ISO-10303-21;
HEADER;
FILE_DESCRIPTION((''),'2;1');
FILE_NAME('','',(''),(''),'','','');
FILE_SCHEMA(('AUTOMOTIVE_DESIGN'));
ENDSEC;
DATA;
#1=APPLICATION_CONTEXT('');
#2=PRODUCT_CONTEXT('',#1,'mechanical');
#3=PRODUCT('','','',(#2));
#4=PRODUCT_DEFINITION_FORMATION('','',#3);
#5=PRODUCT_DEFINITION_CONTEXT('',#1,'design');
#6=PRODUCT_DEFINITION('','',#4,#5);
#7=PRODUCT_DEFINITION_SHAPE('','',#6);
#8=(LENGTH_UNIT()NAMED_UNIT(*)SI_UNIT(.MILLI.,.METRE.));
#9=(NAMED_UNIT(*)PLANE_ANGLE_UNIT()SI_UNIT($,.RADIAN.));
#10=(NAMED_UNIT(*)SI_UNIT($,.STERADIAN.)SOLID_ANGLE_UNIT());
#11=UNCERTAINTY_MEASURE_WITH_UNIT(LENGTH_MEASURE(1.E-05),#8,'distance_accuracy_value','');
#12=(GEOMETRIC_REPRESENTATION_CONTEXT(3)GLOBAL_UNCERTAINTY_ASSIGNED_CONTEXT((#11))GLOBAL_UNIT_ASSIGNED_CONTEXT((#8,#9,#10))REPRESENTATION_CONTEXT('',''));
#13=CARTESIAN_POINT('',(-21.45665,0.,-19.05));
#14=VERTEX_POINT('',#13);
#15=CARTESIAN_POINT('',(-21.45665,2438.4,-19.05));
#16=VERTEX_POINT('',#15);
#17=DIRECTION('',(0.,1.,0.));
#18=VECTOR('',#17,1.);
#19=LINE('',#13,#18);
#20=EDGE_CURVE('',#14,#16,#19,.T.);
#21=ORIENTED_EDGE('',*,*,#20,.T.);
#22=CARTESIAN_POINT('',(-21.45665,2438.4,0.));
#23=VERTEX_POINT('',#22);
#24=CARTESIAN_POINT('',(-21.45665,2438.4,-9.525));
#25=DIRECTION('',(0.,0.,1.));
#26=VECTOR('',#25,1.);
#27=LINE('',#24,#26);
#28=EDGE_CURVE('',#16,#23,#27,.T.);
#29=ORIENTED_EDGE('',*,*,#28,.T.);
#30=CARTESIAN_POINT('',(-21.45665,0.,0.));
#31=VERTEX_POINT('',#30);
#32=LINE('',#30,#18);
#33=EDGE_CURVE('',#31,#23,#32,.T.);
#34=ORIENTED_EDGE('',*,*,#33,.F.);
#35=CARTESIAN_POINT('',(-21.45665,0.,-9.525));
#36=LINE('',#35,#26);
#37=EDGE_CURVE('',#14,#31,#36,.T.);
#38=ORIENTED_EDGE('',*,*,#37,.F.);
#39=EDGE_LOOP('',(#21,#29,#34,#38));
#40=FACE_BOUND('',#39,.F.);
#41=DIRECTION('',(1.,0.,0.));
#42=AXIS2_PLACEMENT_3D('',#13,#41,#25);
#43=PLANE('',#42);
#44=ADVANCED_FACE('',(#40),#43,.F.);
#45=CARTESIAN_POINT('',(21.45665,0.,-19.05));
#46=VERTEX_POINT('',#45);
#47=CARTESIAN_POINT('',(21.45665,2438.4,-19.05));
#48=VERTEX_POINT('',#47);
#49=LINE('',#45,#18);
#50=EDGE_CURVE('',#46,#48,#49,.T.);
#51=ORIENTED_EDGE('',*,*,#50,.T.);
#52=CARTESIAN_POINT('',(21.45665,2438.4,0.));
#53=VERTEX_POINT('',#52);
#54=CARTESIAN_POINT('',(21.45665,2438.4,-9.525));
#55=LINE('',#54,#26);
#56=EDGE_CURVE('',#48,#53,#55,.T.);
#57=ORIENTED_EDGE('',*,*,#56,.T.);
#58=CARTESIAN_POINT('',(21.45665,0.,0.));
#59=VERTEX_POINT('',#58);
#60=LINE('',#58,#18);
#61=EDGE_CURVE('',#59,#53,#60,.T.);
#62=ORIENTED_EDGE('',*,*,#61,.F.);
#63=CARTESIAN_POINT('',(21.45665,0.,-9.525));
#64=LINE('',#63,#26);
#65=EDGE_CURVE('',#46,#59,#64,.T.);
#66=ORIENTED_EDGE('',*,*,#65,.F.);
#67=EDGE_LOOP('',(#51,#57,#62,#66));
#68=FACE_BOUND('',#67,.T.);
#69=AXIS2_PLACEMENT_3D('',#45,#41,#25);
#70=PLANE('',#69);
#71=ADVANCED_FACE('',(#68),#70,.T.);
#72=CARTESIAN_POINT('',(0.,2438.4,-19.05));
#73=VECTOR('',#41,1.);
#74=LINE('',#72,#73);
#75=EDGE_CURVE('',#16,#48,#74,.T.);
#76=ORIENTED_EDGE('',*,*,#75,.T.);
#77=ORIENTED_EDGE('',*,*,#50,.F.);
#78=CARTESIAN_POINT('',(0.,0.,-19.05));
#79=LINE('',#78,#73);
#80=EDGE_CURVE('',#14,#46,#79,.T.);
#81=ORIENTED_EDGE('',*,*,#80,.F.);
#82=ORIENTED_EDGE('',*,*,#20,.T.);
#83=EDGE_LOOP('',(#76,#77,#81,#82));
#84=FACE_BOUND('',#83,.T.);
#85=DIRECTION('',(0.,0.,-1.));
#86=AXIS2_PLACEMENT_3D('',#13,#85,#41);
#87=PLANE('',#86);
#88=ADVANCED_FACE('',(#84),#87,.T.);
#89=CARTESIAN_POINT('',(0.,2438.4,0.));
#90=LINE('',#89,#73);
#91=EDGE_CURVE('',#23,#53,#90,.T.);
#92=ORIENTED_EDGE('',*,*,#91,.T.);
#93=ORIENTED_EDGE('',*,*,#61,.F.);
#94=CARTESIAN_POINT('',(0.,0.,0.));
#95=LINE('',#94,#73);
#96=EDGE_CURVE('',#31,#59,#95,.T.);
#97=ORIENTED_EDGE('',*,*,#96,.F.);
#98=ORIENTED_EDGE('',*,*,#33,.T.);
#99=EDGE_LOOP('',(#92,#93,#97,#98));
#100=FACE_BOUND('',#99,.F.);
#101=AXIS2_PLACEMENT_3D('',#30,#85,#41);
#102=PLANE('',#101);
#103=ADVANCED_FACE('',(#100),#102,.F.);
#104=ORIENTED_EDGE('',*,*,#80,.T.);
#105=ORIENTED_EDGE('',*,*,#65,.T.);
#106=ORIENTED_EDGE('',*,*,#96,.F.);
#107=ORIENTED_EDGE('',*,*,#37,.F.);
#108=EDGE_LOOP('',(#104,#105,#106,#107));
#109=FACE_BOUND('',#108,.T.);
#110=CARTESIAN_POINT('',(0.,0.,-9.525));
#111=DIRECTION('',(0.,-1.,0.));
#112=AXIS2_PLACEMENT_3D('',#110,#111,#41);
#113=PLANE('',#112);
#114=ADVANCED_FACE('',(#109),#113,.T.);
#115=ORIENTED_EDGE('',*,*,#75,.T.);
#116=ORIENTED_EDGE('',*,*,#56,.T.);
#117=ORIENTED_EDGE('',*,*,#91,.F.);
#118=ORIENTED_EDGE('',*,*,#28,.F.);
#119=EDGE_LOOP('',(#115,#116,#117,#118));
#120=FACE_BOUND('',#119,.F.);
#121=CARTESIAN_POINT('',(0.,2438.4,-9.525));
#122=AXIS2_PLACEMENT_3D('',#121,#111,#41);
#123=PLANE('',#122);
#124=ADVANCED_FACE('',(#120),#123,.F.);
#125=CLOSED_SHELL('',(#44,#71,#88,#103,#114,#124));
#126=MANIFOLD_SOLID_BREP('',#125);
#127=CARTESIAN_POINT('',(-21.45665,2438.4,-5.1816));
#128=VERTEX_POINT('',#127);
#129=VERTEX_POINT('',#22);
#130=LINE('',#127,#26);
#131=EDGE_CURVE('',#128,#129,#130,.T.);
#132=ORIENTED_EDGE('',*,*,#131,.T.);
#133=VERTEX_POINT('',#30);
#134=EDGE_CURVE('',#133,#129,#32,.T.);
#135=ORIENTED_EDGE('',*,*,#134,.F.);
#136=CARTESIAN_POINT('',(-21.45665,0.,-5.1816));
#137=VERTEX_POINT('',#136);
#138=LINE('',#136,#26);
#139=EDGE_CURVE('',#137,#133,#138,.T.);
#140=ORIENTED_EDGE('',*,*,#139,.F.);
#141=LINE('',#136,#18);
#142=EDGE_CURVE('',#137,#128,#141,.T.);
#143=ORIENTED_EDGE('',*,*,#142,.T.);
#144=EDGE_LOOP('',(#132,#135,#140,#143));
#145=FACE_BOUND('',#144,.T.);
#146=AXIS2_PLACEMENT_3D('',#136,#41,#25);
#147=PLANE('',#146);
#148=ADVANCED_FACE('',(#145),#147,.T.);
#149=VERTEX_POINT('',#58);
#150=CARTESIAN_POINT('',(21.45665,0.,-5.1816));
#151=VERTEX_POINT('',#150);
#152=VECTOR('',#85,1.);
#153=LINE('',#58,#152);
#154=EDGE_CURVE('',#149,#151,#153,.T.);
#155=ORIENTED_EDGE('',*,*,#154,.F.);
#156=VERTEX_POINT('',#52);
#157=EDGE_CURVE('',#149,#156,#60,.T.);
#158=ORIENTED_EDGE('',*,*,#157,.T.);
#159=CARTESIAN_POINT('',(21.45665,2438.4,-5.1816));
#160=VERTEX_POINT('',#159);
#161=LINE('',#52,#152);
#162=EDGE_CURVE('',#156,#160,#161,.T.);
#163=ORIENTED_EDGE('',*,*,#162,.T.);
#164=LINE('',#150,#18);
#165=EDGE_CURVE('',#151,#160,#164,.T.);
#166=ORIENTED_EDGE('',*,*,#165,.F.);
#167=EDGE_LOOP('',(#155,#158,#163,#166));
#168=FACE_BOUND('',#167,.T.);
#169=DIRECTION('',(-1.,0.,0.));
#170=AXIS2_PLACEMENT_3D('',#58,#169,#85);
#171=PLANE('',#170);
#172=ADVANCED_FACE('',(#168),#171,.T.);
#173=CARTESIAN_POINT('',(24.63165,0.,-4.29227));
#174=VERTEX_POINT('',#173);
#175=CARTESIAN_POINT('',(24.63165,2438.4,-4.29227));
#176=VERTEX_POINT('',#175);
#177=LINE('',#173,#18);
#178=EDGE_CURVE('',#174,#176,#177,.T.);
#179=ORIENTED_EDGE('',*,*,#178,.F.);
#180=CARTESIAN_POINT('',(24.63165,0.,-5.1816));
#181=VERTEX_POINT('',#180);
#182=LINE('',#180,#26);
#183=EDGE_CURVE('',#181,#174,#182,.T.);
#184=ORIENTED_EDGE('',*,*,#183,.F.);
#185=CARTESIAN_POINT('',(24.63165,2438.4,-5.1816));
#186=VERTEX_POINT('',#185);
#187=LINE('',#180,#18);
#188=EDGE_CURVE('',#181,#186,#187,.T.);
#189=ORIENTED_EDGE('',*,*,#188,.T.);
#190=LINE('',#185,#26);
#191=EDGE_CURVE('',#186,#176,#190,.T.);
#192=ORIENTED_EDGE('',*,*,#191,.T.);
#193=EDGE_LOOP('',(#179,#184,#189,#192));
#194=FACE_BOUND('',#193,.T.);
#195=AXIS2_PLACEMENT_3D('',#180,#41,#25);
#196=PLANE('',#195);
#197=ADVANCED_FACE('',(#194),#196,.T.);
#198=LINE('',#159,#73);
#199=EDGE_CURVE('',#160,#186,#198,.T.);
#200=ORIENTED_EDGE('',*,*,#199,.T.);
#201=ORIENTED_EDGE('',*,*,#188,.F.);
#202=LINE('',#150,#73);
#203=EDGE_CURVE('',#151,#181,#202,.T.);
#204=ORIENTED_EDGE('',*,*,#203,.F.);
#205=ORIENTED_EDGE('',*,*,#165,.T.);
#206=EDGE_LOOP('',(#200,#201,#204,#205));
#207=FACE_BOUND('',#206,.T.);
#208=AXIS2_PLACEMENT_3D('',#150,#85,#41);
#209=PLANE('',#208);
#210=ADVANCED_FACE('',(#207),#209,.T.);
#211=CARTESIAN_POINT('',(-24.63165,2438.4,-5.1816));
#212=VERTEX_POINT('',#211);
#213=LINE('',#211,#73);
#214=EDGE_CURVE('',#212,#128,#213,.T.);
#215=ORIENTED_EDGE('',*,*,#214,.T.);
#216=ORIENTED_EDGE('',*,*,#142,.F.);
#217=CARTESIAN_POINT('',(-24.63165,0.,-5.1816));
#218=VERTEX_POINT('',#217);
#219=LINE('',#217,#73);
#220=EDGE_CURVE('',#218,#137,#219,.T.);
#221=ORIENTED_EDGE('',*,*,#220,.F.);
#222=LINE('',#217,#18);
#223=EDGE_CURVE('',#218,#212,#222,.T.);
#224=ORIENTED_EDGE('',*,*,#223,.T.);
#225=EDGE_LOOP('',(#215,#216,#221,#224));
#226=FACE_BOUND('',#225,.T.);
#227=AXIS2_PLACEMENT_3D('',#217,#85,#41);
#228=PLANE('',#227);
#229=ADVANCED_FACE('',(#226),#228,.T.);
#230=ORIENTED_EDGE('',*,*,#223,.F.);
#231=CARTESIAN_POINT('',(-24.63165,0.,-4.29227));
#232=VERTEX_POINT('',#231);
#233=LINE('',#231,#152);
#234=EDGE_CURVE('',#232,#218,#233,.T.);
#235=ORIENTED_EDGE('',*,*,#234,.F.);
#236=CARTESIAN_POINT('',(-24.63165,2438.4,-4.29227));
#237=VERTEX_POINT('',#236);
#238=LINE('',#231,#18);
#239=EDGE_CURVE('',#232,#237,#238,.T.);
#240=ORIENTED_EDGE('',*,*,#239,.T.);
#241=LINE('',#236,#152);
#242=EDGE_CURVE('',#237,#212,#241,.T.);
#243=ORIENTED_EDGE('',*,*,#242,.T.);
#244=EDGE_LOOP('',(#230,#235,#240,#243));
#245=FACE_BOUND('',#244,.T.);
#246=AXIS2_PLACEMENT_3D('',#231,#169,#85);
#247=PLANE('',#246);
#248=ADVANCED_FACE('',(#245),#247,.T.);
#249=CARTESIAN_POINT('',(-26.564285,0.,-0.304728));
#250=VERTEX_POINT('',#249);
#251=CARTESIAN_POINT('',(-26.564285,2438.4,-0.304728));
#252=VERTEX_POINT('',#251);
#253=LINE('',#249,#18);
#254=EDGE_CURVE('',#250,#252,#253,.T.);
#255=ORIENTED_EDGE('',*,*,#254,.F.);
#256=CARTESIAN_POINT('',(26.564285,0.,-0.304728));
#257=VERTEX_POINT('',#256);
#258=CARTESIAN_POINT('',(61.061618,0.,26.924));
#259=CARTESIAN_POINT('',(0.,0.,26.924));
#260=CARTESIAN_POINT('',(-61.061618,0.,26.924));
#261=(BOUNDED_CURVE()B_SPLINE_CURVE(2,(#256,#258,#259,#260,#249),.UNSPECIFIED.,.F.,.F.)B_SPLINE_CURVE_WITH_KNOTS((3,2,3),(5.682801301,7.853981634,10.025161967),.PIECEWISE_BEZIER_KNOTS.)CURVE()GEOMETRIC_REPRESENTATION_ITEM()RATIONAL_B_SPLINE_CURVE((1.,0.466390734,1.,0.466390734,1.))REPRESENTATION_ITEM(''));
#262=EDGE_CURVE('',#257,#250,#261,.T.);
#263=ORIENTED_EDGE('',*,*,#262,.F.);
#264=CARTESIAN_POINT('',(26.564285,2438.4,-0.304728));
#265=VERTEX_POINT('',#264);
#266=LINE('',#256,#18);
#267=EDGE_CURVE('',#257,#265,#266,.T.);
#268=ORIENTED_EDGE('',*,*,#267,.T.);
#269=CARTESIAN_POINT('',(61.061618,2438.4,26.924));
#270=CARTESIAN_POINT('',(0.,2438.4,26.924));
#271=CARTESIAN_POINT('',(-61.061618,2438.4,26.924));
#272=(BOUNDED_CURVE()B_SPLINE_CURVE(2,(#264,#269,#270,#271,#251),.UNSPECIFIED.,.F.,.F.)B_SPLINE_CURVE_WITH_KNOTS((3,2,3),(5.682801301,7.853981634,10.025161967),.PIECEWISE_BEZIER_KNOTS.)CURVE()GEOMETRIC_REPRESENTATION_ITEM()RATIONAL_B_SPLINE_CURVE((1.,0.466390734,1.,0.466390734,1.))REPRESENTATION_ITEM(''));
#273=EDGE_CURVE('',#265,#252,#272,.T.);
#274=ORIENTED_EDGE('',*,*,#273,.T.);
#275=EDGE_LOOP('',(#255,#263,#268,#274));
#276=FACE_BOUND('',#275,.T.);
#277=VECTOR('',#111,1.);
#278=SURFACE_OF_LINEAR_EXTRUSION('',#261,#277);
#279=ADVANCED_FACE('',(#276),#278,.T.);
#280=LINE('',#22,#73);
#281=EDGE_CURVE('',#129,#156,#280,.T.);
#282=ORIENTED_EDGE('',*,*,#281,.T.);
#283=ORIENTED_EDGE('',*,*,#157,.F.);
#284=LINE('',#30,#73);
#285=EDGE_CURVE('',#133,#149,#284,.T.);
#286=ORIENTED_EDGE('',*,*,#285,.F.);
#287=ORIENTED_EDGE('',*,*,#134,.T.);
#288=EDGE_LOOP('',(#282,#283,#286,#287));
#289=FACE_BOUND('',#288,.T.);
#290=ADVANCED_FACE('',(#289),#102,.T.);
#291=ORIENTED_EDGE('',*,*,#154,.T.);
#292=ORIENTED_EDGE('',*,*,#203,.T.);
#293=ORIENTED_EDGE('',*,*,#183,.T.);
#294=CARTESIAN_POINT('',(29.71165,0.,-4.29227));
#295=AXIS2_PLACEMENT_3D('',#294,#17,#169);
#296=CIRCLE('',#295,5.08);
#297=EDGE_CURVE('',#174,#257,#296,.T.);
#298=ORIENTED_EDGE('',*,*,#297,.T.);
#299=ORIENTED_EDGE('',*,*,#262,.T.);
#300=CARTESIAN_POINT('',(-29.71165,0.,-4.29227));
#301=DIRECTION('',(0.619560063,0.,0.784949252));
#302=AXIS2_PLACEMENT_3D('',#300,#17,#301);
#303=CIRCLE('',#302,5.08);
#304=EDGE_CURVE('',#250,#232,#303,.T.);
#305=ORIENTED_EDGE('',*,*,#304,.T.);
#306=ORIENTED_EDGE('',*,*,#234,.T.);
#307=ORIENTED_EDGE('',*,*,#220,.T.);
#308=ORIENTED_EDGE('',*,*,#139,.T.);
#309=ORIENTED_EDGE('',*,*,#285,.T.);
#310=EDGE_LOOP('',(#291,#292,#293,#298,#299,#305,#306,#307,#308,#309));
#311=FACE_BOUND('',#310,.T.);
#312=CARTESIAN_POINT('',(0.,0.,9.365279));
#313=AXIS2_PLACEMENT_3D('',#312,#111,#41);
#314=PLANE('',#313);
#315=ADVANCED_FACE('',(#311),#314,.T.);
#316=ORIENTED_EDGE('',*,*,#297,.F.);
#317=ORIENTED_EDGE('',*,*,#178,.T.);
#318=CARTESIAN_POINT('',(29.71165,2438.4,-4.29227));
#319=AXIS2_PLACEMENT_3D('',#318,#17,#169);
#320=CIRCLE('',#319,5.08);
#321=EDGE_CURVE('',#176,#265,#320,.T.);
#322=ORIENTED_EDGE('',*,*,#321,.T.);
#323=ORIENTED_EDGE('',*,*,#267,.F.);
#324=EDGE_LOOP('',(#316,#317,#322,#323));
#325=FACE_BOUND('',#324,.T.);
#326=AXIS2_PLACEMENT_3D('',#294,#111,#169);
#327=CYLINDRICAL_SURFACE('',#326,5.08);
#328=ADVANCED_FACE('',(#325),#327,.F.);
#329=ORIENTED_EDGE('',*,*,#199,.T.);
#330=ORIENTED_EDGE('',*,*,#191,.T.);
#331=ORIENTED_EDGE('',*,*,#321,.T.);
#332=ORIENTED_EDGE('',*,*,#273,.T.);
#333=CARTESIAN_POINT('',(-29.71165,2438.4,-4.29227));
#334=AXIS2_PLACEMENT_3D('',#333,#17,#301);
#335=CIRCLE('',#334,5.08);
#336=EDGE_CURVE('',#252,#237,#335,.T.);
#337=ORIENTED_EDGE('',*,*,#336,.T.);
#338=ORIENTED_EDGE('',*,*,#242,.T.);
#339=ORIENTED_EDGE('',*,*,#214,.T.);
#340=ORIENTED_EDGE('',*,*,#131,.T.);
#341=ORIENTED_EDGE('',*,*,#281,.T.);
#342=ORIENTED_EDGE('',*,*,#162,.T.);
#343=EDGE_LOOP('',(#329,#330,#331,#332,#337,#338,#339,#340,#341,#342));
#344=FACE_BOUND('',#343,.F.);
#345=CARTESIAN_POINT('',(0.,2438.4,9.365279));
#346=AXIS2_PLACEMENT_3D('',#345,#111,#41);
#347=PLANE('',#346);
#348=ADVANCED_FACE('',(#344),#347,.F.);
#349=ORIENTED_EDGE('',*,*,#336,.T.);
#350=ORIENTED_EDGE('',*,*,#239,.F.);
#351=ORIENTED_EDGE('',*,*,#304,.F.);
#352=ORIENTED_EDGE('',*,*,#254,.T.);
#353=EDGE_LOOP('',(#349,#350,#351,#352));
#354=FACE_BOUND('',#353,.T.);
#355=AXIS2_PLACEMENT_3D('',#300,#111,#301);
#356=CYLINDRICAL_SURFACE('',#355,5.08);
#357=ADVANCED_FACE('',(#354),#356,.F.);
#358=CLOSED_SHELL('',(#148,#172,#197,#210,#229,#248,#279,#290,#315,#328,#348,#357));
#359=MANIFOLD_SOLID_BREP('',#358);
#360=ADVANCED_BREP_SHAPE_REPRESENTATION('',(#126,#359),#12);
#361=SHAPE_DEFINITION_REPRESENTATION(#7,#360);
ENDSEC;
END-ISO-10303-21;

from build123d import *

# Parameters (mm, degrees)
F1_DEPTH = 2438.4
F2_W     = 42.9133
F2_H     = 19.05
F3_DEPTH = 2438.4


with BuildPart() as f1:
    # F0 (on Front) → F1 (new body)
    with BuildSketch(Plane.XZ):
        with BuildLine():
            Line((-21.45665, -5.1816), (-21.45665, 0))
            Line((-21.45665, 0), (21.45665, 0))
            Line((21.45665, 0), (21.45665, -5.1816))
            Line((21.45665, -5.1816), (24.63165, -5.1816))
            Line((24.63165, -5.1816), (24.63165, -4.2922702083))
            ThreePointArc((24.63165, -4.2922702083), (25.1402708423, -2.0766681238), (26.5642848805, -0.3047280073))
            add(Edge.make_bspline(
                [(26.5642848805, -0.3047280073), (61.0616176933, 26.924), (0, 26.924), (-61.0616176933, 26.924), (-26.5642848805, -0.3047280073)],
                knots=[5.6828013008, 5.6828013008, 5.6828013008, 7.853981634, 7.853981634, 10.0251619672, 10.0251619672, 10.0251619672], degree=2, weights=[1, 0.4663907343, 1, 0.4663907343, 1]))
            ThreePointArc((-26.5642848805, -0.3047280073), (-25.1402708423, -2.0766681238), (-24.63165, -4.2922702083))
            Line((-24.63165, -4.2922702083), (-24.63165, -5.1816))
            Line((-24.63165, -5.1816), (-21.45665, -5.1816))
        make_face()
    extrude(amount=-F1_DEPTH)


with BuildPart() as f3:
    # F2 (on Front) → F3 (new body)
    with BuildSketch(Plane.XZ):
        with Locations((0, -9.525)):
            Rectangle(F2_W, F2_H)
    extrude(amount=-F3_DEPTH)


solid = Compound([f1.part, f3.part])
